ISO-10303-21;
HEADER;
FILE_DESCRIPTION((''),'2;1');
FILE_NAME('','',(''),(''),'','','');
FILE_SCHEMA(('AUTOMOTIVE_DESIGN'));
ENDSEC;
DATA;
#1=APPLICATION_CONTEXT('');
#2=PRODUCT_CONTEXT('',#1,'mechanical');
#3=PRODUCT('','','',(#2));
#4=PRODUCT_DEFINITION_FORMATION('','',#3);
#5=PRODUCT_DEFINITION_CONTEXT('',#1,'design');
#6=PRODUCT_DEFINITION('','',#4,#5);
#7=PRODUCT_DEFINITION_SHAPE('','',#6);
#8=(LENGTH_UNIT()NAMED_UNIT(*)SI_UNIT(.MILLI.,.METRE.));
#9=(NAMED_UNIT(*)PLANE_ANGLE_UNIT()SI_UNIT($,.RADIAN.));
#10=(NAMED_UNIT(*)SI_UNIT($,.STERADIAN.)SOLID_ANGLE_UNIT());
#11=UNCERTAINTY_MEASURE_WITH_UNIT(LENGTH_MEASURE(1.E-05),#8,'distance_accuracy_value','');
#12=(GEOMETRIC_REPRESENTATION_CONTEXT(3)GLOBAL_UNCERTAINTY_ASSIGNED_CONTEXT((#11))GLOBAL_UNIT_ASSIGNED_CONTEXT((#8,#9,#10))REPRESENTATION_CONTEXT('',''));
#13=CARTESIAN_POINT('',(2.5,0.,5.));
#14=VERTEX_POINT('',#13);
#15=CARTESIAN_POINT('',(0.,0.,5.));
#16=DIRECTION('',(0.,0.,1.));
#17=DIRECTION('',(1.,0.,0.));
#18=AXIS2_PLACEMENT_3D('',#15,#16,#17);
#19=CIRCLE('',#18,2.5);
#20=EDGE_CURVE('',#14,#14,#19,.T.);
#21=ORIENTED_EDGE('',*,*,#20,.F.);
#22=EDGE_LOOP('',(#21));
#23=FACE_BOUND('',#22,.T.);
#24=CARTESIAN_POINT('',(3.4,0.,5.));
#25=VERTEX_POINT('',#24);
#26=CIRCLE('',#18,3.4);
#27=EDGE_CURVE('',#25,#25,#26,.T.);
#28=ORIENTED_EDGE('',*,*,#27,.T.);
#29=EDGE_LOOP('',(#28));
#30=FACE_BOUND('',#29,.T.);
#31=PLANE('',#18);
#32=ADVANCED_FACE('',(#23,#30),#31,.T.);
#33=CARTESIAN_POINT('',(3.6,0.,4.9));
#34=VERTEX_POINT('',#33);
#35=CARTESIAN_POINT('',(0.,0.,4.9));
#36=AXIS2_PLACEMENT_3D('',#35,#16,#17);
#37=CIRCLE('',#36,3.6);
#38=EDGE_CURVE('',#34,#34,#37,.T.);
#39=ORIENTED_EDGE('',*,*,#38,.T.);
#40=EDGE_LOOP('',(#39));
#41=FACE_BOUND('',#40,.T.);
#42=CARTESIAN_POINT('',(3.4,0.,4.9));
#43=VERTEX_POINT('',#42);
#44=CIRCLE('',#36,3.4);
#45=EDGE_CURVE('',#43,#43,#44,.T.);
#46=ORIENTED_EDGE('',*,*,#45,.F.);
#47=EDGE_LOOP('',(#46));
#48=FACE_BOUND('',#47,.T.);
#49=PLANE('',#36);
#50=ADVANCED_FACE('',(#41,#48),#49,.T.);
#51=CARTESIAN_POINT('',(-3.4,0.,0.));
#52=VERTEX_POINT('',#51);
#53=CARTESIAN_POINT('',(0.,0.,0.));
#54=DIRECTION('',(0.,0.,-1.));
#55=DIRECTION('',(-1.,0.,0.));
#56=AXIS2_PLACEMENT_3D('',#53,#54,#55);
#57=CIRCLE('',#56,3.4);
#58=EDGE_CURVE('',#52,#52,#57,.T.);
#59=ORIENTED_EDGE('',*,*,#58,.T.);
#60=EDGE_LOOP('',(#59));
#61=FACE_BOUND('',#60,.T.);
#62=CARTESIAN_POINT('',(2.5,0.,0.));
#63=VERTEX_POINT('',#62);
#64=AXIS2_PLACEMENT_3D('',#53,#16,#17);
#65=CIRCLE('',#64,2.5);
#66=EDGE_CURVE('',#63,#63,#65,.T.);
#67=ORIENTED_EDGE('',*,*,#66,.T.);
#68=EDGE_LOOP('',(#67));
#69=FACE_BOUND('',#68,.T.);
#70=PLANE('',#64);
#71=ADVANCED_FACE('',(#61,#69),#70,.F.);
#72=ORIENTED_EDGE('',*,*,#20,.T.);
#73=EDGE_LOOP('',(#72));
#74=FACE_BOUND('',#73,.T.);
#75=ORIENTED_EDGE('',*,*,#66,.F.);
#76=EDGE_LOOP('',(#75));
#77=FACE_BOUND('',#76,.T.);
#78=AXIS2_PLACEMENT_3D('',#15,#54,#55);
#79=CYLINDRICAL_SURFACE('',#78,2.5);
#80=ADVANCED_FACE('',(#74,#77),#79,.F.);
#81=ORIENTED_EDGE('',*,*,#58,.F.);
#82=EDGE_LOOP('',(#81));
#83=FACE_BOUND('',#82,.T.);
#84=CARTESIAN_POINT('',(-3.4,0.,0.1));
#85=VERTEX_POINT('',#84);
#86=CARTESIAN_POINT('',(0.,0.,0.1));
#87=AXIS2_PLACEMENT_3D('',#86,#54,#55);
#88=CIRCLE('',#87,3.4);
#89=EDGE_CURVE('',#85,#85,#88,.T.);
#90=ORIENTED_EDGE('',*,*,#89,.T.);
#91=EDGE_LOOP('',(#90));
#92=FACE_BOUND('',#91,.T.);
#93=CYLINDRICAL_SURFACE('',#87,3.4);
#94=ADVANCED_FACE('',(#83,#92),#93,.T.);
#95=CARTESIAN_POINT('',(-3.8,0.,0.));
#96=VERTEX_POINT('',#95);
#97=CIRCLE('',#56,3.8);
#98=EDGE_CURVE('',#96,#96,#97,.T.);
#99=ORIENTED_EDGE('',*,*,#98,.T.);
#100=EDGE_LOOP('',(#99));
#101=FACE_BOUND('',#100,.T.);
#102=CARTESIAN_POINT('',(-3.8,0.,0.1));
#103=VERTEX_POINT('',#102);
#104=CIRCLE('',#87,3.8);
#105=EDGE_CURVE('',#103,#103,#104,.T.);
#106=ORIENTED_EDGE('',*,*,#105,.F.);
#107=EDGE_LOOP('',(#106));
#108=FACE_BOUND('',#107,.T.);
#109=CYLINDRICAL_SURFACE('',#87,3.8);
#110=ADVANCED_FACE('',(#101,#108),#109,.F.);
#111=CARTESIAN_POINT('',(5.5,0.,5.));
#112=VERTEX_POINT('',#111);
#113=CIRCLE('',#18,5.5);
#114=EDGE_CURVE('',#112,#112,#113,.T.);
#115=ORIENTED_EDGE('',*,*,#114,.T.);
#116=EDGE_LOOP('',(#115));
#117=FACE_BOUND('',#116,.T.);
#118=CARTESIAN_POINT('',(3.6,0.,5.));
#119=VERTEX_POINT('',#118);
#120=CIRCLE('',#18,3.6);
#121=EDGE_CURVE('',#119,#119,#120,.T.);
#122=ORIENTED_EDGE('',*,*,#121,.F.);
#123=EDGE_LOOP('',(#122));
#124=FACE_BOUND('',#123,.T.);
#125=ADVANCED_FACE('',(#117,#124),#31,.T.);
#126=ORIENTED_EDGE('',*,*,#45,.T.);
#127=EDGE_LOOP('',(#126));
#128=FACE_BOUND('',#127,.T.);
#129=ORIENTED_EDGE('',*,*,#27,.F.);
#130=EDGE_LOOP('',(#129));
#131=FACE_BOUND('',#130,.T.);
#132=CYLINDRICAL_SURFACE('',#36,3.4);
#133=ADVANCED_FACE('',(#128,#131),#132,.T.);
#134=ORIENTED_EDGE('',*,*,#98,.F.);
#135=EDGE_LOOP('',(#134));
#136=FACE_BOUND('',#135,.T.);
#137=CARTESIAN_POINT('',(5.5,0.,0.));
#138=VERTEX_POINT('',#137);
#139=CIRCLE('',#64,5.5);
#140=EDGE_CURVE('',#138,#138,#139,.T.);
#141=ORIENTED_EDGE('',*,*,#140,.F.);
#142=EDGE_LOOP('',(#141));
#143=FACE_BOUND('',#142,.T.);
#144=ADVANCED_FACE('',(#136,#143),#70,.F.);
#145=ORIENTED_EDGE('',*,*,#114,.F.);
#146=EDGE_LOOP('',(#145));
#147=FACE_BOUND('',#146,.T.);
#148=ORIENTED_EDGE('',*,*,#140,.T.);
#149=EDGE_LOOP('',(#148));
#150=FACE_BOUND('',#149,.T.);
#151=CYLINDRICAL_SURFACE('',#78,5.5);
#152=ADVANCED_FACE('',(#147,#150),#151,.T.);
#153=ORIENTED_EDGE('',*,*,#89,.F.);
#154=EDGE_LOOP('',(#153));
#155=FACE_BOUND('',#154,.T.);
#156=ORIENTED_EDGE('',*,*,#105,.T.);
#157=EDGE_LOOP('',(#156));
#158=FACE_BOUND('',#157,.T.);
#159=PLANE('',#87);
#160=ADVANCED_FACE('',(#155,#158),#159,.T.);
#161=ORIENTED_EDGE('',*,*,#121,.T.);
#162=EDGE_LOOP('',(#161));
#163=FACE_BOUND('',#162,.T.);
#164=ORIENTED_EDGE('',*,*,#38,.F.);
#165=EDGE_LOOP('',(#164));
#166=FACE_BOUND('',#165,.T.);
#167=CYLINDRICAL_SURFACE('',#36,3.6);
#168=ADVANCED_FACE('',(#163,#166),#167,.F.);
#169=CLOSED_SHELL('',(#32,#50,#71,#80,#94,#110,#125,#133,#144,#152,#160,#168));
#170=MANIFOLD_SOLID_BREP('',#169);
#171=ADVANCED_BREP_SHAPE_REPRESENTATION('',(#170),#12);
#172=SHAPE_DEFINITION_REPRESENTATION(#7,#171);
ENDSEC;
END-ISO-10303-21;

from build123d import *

# Parameters (mm, degrees)
SKETCH1_R           = 5.5
SKETCH1_R_2         = 2.5
BOSS_EXTRUDE1_DEPTH = 5
SKETCH2_R           = 3.6
SKETCH2_R_2         = 3.4
CUT_EXTRUDE1_DEPTH  = 0.1
CUT_EXTRUDE2_START  = -0.1
SKETCH3_R           = 3.8
SKETCH3_R_2         = 3.4
CUT_EXTRUDE2_DEPTH  = 0.1


with BuildPart() as part:
    # Sketch1 → Boss-Extrude1 (new body)
    with BuildSketch(Plane.XY):
        Circle(SKETCH1_R)
        Circle(SKETCH1_R_2, mode=Mode.SUBTRACT)
    extrude(amount=BOSS_EXTRUDE1_DEPTH)

    # Sketch2 → Cut-Extrude1 (cut)
    with BuildSketch(Plane.XY.offset(5)):
        Circle(SKETCH2_R)
        Circle(SKETCH2_R_2, mode=Mode.SUBTRACT)
    extrude(amount=-CUT_EXTRUDE1_DEPTH, mode=Mode.SUBTRACT)

    # Sketch3 → Cut-Extrude2 (cut)
    with BuildSketch(Plane(origin=(0, 0, 0), x_dir=(-1, 0, 0), z_dir=(0, 0, -1)).offset(CUT_EXTRUDE2_START)):
        Circle(SKETCH3_R)
        with Locations(Location((0, 0, 0), (0, 0, 180))):
            Circle(SKETCH3_R_2, mode=Mode.SUBTRACT)
    extrude(amount=CUT_EXTRUDE2_DEPTH, mode=Mode.SUBTRACT)


solid = part.part
